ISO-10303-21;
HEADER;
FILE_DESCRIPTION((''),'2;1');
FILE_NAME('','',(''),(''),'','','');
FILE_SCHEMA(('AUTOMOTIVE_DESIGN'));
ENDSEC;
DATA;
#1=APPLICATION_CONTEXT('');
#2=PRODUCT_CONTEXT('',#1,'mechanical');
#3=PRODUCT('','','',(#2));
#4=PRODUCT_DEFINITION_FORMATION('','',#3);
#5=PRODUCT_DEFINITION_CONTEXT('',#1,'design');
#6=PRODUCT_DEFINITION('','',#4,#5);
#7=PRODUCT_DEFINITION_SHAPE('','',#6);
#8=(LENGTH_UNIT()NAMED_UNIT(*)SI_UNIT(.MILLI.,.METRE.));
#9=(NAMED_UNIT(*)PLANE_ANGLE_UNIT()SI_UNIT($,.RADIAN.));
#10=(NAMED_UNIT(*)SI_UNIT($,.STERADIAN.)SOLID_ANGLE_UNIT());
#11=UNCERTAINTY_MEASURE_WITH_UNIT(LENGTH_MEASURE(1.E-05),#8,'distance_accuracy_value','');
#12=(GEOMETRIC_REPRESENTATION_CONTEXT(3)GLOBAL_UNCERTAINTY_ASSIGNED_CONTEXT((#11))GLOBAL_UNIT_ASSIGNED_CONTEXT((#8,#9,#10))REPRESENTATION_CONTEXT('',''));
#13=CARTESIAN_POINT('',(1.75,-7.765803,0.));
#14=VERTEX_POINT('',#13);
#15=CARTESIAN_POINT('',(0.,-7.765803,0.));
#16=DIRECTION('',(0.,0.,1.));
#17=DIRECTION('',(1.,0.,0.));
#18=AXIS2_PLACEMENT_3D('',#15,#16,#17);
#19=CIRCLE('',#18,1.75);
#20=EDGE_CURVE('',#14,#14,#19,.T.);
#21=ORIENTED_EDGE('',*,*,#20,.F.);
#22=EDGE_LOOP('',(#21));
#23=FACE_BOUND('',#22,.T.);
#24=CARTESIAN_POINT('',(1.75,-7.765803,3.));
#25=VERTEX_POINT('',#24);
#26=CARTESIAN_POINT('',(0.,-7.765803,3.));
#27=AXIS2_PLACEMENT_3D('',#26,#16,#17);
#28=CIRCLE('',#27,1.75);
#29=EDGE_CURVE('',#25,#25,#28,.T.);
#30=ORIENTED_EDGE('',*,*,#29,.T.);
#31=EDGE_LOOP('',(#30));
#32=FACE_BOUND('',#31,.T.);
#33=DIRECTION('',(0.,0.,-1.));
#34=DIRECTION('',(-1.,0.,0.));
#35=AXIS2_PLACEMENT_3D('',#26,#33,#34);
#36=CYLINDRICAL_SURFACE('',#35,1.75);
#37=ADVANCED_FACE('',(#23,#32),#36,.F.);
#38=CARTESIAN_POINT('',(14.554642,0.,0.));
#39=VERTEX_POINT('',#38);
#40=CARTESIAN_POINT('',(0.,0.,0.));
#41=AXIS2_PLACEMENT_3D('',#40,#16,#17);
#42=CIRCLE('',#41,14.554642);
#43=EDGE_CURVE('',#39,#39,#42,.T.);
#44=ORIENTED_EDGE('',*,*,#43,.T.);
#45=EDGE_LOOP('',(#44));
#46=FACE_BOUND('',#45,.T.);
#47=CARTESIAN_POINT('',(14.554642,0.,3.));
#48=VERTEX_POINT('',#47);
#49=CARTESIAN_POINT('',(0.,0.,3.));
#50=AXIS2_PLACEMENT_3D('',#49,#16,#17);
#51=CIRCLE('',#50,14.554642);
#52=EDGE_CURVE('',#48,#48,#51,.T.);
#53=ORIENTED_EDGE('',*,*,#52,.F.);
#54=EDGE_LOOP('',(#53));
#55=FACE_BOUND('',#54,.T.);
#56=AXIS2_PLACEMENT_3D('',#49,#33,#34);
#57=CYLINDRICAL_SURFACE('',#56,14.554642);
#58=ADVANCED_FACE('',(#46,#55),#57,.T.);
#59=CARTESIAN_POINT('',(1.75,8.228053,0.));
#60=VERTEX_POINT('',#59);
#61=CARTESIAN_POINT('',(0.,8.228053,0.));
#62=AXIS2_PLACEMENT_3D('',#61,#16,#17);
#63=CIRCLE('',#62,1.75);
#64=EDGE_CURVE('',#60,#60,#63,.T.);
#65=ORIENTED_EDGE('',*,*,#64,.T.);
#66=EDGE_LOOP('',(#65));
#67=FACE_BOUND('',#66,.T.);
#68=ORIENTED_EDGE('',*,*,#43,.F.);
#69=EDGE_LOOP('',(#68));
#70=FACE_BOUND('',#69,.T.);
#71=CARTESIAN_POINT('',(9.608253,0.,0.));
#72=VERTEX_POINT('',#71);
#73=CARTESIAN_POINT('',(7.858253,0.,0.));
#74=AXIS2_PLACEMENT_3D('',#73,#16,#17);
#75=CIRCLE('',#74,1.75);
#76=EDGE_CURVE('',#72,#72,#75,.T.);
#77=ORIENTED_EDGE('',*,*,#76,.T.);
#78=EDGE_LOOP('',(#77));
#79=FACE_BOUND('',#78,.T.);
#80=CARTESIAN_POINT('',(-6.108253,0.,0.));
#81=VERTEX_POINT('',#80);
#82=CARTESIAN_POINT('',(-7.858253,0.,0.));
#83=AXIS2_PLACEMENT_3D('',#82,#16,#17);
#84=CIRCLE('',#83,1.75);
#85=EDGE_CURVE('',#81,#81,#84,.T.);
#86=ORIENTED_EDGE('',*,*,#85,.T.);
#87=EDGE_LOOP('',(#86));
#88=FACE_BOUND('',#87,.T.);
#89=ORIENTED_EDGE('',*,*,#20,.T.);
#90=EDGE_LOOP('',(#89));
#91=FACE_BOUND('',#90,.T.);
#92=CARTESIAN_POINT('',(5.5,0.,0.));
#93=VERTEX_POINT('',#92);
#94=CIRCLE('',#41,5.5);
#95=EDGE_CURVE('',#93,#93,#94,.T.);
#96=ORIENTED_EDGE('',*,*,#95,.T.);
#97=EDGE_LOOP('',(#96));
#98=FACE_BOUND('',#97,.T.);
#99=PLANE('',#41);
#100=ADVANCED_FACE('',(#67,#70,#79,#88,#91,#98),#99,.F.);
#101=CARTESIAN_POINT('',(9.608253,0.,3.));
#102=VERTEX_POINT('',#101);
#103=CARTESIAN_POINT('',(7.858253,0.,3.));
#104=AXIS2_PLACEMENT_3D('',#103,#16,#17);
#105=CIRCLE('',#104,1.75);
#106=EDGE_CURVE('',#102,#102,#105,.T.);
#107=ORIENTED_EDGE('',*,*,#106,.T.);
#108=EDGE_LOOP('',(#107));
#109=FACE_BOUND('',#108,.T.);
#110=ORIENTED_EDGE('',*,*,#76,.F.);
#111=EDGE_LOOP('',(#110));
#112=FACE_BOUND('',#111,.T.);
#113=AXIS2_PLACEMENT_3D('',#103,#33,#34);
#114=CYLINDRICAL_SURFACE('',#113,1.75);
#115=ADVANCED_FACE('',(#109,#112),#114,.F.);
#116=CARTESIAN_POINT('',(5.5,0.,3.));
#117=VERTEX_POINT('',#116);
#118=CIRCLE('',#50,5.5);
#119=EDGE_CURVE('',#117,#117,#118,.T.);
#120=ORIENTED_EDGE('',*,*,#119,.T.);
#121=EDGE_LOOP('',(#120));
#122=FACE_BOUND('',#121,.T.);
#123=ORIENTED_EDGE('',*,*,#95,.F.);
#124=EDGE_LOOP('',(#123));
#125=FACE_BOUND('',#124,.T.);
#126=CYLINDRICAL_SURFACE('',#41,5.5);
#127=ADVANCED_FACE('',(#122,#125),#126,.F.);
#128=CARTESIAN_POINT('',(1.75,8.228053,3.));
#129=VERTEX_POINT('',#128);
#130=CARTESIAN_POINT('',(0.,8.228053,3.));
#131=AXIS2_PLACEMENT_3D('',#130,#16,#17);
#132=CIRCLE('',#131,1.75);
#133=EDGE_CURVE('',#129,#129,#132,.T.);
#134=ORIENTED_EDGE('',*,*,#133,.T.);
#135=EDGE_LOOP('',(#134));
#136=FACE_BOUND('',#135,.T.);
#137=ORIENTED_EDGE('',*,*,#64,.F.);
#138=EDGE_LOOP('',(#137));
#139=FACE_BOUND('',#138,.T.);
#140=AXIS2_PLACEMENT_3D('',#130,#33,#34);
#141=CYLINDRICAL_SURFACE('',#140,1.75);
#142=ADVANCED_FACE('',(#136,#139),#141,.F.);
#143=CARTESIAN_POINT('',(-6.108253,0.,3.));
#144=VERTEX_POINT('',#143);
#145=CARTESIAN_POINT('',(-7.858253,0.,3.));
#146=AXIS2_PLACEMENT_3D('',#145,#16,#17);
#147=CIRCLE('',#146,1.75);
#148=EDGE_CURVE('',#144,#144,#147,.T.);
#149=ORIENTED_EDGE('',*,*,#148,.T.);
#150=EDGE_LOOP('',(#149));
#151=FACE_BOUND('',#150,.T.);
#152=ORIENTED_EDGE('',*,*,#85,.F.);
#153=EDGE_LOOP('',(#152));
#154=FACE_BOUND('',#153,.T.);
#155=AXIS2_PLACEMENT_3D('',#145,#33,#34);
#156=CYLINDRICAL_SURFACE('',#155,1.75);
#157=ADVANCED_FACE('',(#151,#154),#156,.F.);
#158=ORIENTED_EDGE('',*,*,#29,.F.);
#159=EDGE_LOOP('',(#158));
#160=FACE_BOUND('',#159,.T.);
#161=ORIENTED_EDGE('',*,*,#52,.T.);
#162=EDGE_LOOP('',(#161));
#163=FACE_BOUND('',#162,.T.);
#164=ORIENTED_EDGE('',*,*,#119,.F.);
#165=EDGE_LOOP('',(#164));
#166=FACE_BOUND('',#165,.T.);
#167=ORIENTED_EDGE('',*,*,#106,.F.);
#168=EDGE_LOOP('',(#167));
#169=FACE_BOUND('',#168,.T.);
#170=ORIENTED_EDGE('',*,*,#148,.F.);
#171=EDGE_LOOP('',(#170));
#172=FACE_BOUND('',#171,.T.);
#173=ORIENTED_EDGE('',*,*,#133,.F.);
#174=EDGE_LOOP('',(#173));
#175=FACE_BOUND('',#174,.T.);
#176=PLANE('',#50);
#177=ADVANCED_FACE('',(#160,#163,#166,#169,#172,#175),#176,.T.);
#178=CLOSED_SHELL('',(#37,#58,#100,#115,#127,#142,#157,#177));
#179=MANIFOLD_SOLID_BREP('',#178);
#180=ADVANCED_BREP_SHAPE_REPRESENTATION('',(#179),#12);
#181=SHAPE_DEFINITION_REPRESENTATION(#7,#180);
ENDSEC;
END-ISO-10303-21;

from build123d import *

# Parameters (mm, degrees)
SKETCH1_R           = 14.554642106
SKETCH1_R_2         = 1.75
BOSS_EXTRUDE1_DEPTH = 3
SKETCH2_R           = 5.5
CUT_EXTRUDE1_DEPTH  = 3


with BuildPart() as part:
    # Sketch1 → Boss-Extrude1 (new body)
    with BuildSketch(Plane.XY):
        Circle(SKETCH1_R)
        with Locations((0, 8.228052911)):
            Circle(SKETCH1_R_2, mode=Mode.SUBTRACT)
        with Locations((-7.85825278, 0)):
            Circle(SKETCH1_R_2, mode=Mode.SUBTRACT)
        with Locations((0, -7.765802747)):
            Circle(SKETCH1_R_2, mode=Mode.SUBTRACT)
        with Locations((7.85825278, 0)):
            Circle(SKETCH1_R_2, mode=Mode.SUBTRACT)
    extrude(amount=BOSS_EXTRUDE1_DEPTH)

    # Sketch2 → Cut-Extrude1 (cut)
    with BuildSketch(Plane.XY.offset(3)):
        Circle(SKETCH2_R)
    extrude(amount=-CUT_EXTRUDE1_DEPTH, mode=Mode.SUBTRACT)


solid = part.part
